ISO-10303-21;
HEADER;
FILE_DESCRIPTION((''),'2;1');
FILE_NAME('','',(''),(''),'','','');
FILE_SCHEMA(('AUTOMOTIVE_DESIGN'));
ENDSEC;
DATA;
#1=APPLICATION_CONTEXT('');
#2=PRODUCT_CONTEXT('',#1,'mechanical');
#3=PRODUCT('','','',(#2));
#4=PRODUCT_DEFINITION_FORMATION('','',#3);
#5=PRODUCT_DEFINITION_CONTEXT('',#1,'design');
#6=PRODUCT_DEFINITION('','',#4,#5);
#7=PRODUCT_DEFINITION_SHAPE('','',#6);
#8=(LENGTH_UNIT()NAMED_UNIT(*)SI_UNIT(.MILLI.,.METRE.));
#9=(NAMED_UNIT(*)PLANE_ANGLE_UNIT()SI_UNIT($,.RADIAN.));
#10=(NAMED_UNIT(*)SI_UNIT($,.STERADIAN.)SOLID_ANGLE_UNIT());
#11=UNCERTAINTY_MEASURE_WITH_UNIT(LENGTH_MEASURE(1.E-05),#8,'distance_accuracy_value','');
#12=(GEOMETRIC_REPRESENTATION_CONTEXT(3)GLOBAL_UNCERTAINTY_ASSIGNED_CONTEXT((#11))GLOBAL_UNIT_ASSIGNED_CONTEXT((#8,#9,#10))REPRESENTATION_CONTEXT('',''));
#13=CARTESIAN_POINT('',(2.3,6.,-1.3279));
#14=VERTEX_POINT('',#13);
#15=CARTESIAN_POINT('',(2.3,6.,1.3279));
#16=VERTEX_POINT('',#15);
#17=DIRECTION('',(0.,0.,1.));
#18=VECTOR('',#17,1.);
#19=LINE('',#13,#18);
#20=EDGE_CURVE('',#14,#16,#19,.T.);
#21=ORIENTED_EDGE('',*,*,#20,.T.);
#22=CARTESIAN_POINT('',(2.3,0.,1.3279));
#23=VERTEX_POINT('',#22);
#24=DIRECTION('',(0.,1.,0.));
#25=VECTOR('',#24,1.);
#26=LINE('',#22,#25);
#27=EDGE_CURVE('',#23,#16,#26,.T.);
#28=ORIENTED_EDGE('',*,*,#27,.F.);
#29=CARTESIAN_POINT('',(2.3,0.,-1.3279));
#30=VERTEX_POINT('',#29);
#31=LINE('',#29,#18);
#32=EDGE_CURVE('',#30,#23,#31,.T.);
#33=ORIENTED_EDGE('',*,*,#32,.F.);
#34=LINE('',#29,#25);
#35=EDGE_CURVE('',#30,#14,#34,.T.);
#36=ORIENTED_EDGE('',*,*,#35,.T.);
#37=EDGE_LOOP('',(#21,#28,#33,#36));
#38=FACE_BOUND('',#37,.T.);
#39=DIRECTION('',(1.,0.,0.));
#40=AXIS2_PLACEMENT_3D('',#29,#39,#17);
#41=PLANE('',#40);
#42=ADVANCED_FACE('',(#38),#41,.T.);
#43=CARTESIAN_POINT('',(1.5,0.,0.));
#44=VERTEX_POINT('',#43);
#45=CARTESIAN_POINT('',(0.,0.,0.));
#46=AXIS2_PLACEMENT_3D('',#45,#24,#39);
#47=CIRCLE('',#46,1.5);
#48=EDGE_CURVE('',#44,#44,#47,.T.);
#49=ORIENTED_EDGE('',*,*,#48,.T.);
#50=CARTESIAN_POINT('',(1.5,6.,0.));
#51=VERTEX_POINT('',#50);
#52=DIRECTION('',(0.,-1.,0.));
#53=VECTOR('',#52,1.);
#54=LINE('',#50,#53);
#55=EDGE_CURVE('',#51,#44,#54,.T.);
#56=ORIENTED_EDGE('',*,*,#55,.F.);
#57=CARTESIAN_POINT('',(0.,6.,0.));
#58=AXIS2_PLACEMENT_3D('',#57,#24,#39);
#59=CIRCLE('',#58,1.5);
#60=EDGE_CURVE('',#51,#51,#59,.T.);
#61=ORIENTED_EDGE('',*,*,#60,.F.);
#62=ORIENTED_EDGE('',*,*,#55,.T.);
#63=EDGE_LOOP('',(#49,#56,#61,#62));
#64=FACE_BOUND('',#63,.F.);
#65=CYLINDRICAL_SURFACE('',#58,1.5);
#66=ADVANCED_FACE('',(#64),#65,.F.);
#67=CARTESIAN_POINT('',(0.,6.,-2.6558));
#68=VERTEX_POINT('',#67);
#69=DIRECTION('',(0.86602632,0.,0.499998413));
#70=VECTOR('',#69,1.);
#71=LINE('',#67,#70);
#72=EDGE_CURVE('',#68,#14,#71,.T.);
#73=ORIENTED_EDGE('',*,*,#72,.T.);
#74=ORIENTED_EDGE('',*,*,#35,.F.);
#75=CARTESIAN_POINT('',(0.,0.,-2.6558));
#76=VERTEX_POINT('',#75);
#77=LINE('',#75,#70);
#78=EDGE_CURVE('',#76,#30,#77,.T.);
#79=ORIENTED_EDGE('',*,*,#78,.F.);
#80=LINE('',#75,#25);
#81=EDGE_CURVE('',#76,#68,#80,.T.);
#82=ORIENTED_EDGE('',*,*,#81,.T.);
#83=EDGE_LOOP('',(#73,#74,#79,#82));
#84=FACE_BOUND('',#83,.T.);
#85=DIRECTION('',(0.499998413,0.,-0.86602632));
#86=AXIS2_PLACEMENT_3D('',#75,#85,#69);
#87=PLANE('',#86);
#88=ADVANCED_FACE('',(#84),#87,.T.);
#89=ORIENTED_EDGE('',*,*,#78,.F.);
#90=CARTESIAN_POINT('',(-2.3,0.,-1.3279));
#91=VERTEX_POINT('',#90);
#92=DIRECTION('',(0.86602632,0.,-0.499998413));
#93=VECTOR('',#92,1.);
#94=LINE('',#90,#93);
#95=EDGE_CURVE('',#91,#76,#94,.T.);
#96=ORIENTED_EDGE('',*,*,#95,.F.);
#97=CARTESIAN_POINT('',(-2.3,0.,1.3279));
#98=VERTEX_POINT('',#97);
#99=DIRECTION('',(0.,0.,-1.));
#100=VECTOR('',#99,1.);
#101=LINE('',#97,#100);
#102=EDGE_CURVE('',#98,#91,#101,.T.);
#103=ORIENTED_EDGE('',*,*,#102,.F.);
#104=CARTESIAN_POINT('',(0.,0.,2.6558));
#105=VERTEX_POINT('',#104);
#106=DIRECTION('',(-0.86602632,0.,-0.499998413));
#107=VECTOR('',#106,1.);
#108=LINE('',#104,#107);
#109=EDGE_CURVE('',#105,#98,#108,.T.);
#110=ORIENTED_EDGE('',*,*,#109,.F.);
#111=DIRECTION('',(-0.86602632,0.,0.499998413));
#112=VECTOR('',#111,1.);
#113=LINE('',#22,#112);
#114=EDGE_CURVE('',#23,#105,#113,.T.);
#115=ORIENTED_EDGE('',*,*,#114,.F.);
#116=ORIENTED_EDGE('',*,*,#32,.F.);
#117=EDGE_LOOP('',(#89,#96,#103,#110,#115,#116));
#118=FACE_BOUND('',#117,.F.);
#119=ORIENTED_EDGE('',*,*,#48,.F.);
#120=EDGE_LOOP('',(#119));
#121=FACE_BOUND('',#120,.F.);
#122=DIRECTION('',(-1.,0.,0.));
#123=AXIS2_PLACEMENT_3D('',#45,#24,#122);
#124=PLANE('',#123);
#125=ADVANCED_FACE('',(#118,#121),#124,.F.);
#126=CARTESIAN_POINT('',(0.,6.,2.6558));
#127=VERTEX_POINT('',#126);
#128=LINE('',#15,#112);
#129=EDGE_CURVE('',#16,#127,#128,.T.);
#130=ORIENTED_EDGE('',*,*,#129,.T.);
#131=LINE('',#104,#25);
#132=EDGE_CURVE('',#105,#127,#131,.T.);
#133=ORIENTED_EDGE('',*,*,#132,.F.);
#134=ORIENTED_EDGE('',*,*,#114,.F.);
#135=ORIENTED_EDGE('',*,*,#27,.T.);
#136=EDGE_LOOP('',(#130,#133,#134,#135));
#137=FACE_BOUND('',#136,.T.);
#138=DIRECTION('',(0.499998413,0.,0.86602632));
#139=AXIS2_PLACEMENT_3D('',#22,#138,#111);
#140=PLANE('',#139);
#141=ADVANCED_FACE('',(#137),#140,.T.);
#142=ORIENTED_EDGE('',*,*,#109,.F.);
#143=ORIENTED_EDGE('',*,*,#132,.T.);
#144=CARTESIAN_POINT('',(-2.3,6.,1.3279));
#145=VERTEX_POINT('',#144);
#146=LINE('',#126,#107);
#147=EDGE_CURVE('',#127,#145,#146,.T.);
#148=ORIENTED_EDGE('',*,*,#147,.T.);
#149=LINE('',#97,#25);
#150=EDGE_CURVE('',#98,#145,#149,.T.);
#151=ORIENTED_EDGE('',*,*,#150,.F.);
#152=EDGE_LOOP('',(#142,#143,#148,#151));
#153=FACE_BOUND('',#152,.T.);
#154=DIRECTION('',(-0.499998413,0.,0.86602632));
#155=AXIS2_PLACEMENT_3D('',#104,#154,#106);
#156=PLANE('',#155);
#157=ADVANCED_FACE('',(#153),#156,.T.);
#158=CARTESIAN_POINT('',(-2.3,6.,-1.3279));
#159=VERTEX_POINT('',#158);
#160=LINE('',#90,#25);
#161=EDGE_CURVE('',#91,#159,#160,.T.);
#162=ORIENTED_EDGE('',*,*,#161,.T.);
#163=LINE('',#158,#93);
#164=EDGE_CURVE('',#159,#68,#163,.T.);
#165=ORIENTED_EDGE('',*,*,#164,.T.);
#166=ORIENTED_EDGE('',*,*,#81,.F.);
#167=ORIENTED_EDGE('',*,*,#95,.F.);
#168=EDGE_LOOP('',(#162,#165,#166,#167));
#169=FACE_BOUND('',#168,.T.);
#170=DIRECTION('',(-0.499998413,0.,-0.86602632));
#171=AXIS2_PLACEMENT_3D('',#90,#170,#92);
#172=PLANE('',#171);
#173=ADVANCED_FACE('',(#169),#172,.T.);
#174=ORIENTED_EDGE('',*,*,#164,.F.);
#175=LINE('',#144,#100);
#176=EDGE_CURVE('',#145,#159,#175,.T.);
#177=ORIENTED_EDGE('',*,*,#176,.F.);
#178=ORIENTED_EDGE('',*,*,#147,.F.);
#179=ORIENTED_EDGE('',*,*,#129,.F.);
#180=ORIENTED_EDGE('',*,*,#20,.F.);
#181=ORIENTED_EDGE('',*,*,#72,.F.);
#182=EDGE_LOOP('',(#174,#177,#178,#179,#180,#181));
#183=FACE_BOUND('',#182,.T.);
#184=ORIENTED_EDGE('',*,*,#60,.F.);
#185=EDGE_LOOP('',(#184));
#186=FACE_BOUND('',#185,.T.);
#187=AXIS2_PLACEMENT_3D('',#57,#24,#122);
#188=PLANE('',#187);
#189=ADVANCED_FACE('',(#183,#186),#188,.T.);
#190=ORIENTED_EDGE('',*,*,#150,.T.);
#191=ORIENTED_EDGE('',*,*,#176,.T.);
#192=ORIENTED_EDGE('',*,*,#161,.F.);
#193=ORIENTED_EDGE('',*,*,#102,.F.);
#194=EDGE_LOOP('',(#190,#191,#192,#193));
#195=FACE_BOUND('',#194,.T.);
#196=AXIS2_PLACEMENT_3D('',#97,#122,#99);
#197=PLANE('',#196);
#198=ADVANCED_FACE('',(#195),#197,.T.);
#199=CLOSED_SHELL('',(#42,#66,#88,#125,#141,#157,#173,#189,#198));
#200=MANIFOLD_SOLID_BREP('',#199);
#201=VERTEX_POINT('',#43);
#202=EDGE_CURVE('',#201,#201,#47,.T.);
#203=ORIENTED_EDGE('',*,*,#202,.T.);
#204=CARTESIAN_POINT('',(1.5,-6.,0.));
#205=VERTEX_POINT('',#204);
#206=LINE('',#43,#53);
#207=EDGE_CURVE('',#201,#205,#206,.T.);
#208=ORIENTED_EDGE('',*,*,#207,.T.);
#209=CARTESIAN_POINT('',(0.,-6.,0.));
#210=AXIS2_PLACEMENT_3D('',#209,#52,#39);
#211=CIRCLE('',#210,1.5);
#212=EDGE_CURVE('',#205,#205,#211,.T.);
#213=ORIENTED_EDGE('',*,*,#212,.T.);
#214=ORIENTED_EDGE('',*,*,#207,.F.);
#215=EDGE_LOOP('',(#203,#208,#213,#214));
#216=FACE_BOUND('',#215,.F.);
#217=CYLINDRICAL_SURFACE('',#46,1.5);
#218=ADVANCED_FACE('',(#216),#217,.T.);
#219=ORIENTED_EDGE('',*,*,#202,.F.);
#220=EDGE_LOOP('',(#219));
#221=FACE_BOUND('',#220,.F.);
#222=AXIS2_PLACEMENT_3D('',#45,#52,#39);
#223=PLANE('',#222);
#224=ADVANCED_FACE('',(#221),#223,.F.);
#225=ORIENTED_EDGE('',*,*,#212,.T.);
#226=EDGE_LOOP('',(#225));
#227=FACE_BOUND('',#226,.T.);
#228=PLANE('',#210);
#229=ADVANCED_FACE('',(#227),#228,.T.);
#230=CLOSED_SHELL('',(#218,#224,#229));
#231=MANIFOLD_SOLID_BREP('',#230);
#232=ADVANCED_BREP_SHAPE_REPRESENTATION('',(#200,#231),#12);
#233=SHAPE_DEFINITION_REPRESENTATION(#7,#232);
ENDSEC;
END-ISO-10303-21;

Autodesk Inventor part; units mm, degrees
ref_plane "YZ Plane" through (0, 0, 0) normal (1, 0, 0) x (0, 1, 0)
ref_plane "XZ Plane" through (0, 0, 0) normal (0, 1, 0) x (-1, 0, 0)
ref_plane "XY Plane" through (0, 0, 0) normal (0, 0, 1) x (1, 0, 0)
sketch "Sketch1" plane through (0, 0, 0) normal (0, 1, 0) x (-1, 0, 0)
  line L0 (0, -2.6558) -> (-2.3, -1.3279)
  line L1 (-2.3, -1.3279) -> (-2.3, 1.3279)
  line L2 (-2.3, 1.3279) -> (0, 2.6558)
  line L3 (0, 2.6558) -> (2.3, 1.3279)
  line L4 (2.3, 1.3279) -> (2.3, -1.3279)
  line L5 (2.3, -1.3279) -> (0, -2.6558)
  point P0 (0, 0)
  point P1 (0, 0)
  dimension "d0" = 4.6
extrude "Extrusion1" add sketch "Sketch1" along normal blind 6
sketch "Sketch2" plane through (0, 6, 0) normal (0, 1, 0) x (1, 0, 0)
  circle A0 centre (0, 0) radius 1.5
  dimension "d3" = 3
extrude "Extrusion2" cut sketch "Sketch2" against normal blind 15
sketch "Sketch3" plane through (0, 0, 0) normal (0, -1, 0) x (1, 0, 0)
  circle A0 centre (0, 0) radius 1.5
  dimension "d6" = 3
extrude "Extrusion3" add sketch "Sketch3" along normal blind 6
properties part number "M3_6_MM_STANDOFF_PIN"
